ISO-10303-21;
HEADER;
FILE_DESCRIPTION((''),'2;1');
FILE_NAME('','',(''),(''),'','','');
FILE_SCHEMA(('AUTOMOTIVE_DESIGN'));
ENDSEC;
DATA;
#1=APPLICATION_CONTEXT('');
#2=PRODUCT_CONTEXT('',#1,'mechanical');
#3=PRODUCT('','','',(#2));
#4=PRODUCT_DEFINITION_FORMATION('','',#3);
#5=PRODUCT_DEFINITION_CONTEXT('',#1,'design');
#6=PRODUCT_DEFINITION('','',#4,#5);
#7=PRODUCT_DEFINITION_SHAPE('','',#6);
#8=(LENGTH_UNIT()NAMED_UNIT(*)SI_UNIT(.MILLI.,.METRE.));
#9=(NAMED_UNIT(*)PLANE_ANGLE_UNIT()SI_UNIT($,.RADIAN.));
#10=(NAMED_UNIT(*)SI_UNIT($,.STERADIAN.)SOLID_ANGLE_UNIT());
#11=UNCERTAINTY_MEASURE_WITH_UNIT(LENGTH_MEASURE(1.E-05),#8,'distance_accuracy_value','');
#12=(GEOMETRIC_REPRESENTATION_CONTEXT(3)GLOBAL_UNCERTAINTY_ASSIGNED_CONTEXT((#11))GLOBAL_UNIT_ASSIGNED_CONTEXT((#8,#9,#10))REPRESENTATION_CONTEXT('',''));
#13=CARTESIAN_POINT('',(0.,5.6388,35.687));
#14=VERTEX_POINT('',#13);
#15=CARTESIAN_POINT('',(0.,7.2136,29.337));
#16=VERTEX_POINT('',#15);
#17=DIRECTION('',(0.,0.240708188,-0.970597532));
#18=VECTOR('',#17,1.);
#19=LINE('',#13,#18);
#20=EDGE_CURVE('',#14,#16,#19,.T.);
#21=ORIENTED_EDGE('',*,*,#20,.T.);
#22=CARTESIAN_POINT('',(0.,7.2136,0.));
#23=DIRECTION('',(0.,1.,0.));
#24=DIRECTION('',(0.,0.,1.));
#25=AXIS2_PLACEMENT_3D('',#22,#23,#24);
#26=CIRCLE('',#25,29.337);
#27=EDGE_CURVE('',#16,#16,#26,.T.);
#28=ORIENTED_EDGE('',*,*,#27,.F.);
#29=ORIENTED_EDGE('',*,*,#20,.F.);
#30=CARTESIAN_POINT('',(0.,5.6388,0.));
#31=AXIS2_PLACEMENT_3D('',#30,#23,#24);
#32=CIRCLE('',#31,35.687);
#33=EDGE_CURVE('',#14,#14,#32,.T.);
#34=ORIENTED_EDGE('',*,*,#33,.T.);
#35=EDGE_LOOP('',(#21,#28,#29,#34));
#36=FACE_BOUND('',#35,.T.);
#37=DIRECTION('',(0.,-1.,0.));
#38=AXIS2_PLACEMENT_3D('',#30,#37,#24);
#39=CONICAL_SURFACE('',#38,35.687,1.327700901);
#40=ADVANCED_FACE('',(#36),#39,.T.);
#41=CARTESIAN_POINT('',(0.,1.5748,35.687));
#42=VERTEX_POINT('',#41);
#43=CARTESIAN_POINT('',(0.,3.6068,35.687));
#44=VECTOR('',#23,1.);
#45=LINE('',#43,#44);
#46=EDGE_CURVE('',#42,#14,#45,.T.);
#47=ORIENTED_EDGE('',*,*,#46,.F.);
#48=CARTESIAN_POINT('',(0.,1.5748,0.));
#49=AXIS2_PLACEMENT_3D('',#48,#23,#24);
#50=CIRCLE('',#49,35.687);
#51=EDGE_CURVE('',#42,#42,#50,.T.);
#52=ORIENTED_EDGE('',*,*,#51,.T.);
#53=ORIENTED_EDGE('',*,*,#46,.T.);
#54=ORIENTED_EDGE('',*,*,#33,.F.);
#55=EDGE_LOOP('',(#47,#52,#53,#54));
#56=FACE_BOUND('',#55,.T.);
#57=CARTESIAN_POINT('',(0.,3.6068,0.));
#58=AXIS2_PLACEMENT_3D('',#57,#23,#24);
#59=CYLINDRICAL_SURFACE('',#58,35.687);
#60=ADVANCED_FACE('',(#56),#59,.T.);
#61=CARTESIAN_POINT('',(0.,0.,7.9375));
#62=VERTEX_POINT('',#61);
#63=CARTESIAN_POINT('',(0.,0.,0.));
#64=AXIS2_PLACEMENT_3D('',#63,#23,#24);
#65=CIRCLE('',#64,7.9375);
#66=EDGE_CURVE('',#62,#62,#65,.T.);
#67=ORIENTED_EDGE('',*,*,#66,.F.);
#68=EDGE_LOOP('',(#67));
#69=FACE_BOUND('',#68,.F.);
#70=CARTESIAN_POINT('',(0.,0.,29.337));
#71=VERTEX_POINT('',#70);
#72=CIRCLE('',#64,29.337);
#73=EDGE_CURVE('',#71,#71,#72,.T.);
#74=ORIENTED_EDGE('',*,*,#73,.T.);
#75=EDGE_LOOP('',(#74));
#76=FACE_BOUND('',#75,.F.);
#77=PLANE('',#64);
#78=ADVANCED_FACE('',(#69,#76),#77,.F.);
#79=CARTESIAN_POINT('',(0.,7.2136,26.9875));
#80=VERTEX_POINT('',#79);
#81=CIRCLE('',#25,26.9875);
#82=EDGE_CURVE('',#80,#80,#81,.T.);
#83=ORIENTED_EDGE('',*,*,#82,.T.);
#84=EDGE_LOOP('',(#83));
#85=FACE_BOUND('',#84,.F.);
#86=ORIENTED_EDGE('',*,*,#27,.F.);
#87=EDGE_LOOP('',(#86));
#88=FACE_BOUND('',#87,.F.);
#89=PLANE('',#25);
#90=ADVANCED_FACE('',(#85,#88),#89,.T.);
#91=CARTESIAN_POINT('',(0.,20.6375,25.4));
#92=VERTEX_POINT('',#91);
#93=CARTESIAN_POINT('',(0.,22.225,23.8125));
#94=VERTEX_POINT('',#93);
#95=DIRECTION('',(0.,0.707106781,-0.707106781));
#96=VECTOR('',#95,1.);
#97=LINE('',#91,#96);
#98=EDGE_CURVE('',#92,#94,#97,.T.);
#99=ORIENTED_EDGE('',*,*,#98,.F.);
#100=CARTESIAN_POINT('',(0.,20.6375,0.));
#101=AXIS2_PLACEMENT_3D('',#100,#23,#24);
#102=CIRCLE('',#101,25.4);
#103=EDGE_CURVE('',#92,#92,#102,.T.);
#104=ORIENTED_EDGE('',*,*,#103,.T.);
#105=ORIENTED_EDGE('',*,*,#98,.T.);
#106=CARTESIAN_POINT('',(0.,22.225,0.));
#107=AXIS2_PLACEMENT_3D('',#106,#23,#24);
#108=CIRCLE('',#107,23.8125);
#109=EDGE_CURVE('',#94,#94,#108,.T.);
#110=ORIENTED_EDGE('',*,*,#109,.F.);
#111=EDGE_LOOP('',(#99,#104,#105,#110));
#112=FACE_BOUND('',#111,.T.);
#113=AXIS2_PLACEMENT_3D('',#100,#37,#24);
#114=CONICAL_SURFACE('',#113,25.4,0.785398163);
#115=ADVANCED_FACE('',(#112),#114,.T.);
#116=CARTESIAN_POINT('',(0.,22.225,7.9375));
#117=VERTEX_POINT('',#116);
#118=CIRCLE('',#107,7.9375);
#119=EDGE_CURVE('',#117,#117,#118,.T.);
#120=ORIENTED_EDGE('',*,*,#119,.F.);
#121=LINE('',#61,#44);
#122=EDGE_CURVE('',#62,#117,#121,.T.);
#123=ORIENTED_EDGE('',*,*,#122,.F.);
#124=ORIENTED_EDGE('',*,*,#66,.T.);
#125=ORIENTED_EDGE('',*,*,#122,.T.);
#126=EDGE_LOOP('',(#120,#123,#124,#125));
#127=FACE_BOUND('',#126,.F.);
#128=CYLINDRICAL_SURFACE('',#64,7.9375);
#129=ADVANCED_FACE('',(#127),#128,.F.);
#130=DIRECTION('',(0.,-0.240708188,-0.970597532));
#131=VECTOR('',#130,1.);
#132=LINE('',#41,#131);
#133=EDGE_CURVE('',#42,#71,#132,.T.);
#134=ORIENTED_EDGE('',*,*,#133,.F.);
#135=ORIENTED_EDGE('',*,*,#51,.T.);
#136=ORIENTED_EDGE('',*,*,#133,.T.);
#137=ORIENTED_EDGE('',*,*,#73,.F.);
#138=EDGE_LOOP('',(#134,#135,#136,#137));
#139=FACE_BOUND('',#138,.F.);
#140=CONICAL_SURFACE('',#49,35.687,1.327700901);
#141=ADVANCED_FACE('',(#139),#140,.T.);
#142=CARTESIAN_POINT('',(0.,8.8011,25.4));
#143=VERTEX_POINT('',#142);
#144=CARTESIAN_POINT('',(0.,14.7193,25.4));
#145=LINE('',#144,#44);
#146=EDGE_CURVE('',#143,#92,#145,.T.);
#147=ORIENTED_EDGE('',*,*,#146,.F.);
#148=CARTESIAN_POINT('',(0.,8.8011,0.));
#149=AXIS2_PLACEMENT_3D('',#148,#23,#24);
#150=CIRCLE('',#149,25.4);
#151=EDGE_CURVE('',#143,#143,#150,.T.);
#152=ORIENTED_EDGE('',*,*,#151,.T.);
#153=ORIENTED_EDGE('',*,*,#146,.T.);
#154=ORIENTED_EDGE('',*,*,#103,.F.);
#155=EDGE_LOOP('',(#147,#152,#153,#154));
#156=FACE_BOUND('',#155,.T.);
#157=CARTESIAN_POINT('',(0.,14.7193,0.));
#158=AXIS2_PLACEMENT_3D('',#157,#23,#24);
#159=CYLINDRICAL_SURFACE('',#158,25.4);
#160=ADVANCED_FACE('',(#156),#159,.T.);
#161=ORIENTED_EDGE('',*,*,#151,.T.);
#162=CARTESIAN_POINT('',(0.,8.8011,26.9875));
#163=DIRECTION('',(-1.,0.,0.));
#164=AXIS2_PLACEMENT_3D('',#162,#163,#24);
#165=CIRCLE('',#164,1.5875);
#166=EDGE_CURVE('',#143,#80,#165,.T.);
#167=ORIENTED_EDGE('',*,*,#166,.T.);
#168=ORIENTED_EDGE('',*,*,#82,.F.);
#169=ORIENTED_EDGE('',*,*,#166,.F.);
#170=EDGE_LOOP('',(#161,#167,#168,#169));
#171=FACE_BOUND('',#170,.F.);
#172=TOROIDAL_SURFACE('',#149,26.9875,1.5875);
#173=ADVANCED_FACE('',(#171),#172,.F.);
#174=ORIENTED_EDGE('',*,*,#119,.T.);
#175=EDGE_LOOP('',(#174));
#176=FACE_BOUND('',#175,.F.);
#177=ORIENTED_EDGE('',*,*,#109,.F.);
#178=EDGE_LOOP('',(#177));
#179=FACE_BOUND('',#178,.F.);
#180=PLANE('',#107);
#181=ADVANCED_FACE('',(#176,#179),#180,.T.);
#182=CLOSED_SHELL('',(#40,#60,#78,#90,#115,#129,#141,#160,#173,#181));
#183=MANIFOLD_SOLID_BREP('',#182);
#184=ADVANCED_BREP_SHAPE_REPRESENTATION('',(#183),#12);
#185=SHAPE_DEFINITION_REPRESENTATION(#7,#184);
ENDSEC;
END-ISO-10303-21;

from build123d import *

# Parameters (mm, degrees)
F0_W     = 7.2136
F0_H     = 10.287
F0_H_2   = 17.4625
F0_W_2   = 15.0114
F2_R     = 1.5875
F3_SIZE  = 1.5875
F4_SIZE2 = 6.35
F4_SIZE  = 1.5748


with BuildPart() as f1:
    # F0 (on Right) → F1 (revolve)
    with BuildSketch(Plane.YZ):
        with Locations((3.6068, 30.5435)):
            Rectangle(F0_W, F0_H)
        with Locations((3.6068, 16.66875)):
            Rectangle(F0_W, F0_H_2)
        with Locations((14.7193, 16.66875)):
            Rectangle(F0_W_2, F0_H_2)
    revolve(axis=Axis((0, 11.1125, 0), (0, 1, 0)))

    # F2
    f2_edges = [f1.edges().sort_by_distance(p)[0] for p in [
        (0, 7.2136, -25.4),
    ]]
    fillet(f2_edges, radius=F2_R)

    # F3
    f3_edges = [f1.edges().sort_by_distance(p)[0] for p in [
        (0, 22.225, -25.4),
    ]]
    chamfer(f3_edges, length=F3_SIZE)

    # F4
    f4_edges = [f1.edges().sort_by_distance(p)[0] for p in [
        (0, 7.2136, -35.687),
        (0, 0, -35.687),
    ]]
    f4_side = f1.faces().sort_by_distance((0, 3.6068, -35.687))[0]
    chamfer(f4_edges, length=F4_SIZE, length2=F4_SIZE2, reference=f4_side)


solid = f1.part
